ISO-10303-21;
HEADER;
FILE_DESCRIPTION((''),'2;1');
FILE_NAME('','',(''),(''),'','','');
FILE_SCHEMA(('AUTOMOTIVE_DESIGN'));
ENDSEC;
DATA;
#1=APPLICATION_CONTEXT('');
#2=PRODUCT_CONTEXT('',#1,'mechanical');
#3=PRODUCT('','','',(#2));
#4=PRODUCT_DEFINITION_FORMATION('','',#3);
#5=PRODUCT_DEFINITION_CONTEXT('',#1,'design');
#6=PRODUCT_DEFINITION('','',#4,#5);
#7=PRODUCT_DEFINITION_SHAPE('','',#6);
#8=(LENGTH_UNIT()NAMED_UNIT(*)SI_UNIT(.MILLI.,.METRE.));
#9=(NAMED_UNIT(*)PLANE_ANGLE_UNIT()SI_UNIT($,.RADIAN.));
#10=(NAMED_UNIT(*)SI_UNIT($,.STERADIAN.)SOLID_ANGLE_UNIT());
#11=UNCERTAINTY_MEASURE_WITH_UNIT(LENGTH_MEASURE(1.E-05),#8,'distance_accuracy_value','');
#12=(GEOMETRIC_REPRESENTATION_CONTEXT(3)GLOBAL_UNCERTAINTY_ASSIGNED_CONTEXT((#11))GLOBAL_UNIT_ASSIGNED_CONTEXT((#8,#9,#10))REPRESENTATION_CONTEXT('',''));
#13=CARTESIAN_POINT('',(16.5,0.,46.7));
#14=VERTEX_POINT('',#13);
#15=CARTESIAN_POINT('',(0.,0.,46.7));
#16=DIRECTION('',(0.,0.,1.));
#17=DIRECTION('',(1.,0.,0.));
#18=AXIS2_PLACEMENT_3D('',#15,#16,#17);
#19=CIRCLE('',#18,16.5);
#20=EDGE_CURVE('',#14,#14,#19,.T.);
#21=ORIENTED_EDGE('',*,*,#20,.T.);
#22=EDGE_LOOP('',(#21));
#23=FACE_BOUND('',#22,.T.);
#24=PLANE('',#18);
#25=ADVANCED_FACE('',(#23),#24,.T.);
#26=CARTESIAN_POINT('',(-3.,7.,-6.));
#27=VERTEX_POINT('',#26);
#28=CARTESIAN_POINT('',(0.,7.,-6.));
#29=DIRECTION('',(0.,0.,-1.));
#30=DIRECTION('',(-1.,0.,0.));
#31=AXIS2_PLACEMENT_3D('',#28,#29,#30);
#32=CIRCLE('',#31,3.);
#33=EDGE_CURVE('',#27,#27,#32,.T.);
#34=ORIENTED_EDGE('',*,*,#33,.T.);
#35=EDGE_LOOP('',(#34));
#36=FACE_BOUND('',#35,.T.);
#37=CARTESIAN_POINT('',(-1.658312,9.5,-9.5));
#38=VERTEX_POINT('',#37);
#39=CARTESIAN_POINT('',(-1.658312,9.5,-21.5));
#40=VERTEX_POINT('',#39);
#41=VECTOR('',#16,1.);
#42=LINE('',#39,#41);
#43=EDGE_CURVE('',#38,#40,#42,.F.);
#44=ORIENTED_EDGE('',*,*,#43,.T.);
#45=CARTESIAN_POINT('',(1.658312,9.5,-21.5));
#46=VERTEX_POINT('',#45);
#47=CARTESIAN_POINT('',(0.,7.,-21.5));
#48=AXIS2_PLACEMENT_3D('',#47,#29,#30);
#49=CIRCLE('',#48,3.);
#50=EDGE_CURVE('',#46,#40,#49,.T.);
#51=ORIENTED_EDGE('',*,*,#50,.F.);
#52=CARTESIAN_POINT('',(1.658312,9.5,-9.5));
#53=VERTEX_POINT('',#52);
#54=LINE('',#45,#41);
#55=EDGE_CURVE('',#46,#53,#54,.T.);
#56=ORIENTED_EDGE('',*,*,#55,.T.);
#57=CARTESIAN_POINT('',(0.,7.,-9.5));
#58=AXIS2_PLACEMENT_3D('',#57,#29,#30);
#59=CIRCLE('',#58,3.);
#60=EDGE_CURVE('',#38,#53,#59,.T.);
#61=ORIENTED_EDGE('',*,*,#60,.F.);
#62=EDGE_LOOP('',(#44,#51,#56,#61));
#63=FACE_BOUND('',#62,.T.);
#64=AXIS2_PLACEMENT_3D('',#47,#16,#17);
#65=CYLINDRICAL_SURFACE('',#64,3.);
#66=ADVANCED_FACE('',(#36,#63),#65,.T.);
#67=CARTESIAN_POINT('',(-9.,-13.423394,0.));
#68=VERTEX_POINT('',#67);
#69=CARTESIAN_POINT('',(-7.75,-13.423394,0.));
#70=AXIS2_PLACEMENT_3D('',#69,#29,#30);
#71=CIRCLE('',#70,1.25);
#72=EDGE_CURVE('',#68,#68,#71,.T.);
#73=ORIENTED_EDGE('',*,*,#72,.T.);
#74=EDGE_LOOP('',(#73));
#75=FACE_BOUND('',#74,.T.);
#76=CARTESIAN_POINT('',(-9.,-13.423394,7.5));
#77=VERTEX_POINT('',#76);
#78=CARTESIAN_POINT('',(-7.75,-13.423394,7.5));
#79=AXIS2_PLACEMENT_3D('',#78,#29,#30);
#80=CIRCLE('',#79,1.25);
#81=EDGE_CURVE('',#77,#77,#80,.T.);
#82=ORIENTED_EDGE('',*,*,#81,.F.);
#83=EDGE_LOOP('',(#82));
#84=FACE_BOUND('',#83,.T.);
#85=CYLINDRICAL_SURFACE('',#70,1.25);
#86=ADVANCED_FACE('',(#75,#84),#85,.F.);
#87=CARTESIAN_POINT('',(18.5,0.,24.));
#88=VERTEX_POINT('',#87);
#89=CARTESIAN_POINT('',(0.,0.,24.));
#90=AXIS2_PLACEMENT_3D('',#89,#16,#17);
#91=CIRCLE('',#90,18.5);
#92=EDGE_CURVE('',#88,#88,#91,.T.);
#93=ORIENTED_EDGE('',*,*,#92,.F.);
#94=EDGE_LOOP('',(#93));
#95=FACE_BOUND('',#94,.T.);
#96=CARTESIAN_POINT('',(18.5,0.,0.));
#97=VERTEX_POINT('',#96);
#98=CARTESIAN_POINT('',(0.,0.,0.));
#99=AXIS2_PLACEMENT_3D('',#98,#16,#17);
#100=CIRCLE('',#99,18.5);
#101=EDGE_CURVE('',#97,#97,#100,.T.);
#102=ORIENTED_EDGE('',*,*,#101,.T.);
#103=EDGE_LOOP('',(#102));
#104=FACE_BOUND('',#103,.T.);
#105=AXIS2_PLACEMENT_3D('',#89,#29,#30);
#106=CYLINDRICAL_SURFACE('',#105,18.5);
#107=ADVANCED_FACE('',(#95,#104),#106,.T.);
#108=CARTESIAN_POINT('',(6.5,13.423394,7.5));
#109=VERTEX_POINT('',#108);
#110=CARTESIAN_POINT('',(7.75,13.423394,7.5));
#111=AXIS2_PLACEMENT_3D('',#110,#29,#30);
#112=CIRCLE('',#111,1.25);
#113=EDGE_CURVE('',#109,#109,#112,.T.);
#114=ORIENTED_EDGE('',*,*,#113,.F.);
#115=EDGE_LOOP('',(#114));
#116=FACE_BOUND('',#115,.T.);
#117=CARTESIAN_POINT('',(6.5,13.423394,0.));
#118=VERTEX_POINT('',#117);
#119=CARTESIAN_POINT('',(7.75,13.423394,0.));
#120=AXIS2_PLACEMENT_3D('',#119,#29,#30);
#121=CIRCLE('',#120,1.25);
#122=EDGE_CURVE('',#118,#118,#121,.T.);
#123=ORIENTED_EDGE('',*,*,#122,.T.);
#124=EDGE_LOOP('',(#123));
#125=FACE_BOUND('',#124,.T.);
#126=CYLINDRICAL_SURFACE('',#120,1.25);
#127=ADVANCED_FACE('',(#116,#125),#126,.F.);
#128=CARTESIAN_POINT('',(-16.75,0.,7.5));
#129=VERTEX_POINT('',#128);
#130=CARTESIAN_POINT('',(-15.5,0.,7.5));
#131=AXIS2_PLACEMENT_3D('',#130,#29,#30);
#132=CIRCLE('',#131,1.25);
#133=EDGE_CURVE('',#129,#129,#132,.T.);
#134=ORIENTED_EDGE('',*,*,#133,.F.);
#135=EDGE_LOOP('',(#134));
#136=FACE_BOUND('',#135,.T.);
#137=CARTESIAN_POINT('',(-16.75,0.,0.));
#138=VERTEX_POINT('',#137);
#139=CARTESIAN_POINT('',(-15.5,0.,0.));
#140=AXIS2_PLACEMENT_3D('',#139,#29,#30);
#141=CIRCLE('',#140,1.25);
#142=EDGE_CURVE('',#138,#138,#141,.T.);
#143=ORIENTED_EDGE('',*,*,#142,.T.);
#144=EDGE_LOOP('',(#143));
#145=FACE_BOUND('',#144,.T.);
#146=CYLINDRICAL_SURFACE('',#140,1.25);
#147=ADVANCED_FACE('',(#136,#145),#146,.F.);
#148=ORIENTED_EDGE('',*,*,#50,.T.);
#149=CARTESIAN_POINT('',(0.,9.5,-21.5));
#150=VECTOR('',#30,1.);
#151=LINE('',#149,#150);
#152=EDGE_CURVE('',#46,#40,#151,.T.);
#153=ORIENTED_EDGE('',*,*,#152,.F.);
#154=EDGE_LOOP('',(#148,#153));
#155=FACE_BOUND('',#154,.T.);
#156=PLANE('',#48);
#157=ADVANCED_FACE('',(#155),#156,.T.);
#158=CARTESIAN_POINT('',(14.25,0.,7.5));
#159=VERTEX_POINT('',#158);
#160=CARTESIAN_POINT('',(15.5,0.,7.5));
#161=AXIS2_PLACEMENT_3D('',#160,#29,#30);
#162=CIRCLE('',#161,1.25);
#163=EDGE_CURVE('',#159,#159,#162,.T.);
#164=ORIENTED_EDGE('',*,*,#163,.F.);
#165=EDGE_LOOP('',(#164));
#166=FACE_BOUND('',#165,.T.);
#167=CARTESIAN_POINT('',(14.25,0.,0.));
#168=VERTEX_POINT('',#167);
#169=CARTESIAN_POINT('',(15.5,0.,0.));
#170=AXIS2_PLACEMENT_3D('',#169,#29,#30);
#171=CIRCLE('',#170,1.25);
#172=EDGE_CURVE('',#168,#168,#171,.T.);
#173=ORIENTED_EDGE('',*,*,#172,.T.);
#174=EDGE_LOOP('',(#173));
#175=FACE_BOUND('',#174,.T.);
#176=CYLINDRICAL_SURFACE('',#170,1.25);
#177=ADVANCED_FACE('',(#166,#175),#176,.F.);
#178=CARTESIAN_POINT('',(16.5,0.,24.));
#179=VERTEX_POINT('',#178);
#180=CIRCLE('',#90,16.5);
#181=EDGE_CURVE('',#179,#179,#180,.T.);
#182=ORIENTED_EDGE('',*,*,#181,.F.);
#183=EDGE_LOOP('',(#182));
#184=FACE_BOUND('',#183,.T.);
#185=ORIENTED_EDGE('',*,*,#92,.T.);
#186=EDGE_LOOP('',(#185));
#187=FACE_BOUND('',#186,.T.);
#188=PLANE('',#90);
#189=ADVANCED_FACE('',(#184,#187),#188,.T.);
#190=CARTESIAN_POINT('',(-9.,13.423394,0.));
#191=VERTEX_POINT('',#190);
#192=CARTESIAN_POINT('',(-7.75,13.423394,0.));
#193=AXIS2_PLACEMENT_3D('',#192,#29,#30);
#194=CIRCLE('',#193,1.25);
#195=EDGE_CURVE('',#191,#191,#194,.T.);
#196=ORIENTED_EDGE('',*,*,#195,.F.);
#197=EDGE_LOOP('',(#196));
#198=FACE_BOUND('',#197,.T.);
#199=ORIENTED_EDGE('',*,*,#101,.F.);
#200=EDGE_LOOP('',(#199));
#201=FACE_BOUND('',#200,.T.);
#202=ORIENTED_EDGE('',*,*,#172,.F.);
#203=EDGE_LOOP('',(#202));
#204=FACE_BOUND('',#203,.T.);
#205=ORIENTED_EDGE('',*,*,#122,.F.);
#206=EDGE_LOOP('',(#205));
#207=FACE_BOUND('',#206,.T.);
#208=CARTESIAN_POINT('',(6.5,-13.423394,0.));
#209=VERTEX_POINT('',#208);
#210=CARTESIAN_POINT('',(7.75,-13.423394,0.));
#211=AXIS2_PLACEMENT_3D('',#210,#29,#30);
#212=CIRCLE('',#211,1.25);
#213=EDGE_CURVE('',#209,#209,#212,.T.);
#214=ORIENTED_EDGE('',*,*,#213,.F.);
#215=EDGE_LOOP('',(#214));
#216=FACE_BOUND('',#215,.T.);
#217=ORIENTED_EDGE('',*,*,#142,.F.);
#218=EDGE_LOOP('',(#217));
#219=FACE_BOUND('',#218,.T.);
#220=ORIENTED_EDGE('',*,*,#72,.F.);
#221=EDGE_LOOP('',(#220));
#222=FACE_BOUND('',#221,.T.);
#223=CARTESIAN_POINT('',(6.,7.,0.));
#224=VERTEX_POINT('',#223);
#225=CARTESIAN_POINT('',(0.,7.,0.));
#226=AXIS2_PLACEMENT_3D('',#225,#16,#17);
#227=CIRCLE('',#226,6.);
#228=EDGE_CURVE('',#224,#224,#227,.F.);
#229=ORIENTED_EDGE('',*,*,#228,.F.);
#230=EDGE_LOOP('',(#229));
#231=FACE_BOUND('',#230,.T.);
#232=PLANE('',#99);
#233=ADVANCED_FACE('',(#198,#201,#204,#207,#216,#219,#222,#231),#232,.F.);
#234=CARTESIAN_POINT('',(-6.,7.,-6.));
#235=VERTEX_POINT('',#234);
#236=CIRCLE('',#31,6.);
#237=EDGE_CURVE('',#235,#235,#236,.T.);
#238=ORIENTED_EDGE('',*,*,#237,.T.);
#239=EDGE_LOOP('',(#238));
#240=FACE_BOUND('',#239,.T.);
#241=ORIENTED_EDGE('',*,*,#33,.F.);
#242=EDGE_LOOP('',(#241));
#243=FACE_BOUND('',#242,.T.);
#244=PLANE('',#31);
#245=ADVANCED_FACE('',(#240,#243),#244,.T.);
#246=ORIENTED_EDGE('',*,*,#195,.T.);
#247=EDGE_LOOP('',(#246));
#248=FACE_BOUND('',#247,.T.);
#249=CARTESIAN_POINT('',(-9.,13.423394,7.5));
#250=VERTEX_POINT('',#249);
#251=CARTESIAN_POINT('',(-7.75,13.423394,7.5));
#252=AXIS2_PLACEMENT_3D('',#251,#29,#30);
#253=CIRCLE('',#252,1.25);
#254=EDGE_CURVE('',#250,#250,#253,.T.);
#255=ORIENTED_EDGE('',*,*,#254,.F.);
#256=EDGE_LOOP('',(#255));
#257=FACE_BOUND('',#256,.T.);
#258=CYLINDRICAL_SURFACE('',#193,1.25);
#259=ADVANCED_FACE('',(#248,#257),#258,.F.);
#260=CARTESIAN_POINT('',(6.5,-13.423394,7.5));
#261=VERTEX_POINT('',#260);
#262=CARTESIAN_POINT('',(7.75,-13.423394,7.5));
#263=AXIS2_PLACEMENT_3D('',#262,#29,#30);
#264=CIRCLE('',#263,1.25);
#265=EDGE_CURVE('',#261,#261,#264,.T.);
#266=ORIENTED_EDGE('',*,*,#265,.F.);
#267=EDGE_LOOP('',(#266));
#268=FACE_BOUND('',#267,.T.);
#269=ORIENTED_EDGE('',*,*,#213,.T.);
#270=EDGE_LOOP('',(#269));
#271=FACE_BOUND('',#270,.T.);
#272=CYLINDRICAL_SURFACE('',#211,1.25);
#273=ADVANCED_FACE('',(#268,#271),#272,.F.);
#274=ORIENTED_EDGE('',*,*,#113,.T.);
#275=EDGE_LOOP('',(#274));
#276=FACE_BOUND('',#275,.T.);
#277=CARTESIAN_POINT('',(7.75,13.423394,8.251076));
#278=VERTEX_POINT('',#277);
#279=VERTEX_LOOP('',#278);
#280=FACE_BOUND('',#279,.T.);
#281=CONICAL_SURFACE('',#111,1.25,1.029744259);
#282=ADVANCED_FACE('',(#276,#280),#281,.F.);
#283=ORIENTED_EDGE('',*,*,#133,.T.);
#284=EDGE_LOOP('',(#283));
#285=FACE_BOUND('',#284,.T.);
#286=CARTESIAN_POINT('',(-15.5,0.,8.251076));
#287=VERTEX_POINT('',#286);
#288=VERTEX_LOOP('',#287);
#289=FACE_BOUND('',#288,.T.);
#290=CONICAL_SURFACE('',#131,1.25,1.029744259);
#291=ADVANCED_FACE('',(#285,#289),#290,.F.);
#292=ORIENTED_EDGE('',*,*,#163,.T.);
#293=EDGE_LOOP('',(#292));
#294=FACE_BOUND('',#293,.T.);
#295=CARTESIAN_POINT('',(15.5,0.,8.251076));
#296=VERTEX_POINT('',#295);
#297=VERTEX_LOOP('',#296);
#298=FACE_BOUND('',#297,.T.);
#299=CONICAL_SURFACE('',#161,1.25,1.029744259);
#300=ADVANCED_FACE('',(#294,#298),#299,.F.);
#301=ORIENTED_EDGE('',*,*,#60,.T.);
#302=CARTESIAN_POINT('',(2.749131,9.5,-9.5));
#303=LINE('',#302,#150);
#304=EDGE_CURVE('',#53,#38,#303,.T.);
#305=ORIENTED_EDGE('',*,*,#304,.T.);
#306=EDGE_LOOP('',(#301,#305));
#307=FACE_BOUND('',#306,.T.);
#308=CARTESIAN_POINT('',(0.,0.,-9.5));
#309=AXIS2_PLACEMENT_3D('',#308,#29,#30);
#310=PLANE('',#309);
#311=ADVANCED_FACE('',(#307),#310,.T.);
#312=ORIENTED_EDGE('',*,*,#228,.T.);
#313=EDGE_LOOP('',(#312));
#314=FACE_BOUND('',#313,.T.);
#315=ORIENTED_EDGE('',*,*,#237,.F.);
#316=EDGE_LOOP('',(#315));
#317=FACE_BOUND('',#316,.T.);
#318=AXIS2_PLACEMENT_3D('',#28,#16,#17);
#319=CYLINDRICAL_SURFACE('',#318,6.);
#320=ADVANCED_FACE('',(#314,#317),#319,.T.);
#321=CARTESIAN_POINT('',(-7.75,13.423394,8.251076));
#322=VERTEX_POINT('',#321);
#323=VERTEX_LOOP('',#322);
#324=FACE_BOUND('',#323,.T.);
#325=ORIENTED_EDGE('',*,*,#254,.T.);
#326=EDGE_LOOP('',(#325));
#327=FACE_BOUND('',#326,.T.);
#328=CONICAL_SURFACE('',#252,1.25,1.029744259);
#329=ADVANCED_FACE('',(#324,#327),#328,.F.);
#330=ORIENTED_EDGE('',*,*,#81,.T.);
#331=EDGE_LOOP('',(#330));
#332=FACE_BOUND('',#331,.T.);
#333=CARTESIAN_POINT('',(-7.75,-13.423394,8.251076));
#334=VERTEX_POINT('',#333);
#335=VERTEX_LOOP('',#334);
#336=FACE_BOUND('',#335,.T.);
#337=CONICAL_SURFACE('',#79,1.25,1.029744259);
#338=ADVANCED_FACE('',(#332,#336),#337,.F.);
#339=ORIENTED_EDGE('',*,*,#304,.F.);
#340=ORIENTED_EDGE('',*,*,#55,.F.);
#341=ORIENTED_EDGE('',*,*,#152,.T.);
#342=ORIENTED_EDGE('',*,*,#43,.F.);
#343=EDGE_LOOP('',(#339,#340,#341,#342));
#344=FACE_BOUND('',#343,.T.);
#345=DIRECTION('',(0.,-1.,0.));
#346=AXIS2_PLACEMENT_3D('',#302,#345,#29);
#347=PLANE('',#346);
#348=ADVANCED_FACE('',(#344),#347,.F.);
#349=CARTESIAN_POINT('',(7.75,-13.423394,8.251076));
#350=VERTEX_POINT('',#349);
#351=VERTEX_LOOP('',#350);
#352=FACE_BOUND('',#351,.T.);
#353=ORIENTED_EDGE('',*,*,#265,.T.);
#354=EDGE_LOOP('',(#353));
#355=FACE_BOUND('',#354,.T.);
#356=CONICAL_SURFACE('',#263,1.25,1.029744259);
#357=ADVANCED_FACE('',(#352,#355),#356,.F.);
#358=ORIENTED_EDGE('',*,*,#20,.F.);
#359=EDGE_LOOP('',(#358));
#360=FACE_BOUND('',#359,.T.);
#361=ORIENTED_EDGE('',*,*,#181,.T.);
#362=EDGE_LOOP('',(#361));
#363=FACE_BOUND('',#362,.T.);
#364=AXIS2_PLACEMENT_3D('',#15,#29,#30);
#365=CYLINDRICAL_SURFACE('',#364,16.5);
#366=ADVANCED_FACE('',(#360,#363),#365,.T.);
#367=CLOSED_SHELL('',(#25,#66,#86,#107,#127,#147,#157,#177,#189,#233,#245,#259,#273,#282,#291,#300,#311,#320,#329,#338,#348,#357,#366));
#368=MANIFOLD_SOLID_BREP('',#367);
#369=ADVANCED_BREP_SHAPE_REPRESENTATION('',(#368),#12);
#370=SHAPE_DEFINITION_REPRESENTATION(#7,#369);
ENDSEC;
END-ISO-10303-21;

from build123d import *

# Parameters (mm, degrees)
SKETCH_1_R             = 18.5
EXTRUDE_1_DEPTH        = 24
SKETCH_2_R             = 16.5
EXTRUDE_2_DEPTH        = 22.7
SKETCH_3_R             = 6
EXTRUDE_3_DEPTH        = 6
SKETCH_4_R             = 3
EXTRUDE_4_DEPTH        = 15.5
SKETCH_5_W             = 5.944067487
SKETCH_5_H             = 2.922499848
CUT_EXTRUDE_1_DEPTH    = 12
HOLE_WIZARD_M3_1_D     = 2.5
HOLE_WIZARD_M3_1_DEPTH = 7.5
HOLE_WIZARD_M3_1_TIP   = 0.751075774


with BuildPart() as part:
    # 草图1 → 凸台-拉伸1 (new body)
    with BuildSketch(Plane.XY):
        Circle(SKETCH_1_R)
    extrude(amount=EXTRUDE_1_DEPTH)

    # 草图2 → 凸台-拉伸2 (add)
    with BuildSketch(Plane.XY.offset(24)):
        Circle(SKETCH_2_R)
    extrude(amount=EXTRUDE_2_DEPTH)

    # 草图3 → 凸台-拉伸3 (add)
    with BuildSketch(Plane(origin=(0, 0, 0), x_dir=(-1, 0, 0), z_dir=(0, 0, -1))):
        with Locations((0, 7)):
            Circle(SKETCH_3_R)
    extrude(amount=EXTRUDE_3_DEPTH)

    # 草图4 → 凸台-拉伸4 (add)
    with BuildSketch(Plane(origin=(0, 0, -6), x_dir=(-1, 0, 0), z_dir=(0, 0, -1))):
        with Locations((0, 7)):
            Circle(SKETCH_4_R)
    extrude(amount=EXTRUDE_4_DEPTH)

    # 草图5 → 切除-拉伸1 (cut)
    with BuildSketch(Plane(origin=(0, 0, -21.5), x_dir=(-1, 0, 0), z_dir=(0, 0, -1))):
        with Locations((0.222902531, 10.961249924)):
            Rectangle(SKETCH_5_W, SKETCH_5_H)
    extrude(amount=-CUT_EXTRUDE_1_DEPTH, mode=Mode.SUBTRACT)

    # M3 螺纹孔1
    with Locations(Plane(origin=(0, 0, 0), x_dir=(-1, 0, 0), z_dir=(0, 0, -1))):
        with Locations((-15.5, 0), (-7.75, 13.423393759), (7.75, 13.423393759), (15.5, 0), (7.75, -13.423393759), (-7.75, -13.423393759)):
            Hole(HOLE_WIZARD_M3_1_D / 2, depth=HOLE_WIZARD_M3_1_DEPTH)
            with Locations((0, 0, -(HOLE_WIZARD_M3_1_DEPTH + HOLE_WIZARD_M3_1_TIP / 2))):  # 118° drill point
                Cone(0, HOLE_WIZARD_M3_1_D / 2, HOLE_WIZARD_M3_1_TIP, mode=Mode.SUBTRACT)


solid = part.part
